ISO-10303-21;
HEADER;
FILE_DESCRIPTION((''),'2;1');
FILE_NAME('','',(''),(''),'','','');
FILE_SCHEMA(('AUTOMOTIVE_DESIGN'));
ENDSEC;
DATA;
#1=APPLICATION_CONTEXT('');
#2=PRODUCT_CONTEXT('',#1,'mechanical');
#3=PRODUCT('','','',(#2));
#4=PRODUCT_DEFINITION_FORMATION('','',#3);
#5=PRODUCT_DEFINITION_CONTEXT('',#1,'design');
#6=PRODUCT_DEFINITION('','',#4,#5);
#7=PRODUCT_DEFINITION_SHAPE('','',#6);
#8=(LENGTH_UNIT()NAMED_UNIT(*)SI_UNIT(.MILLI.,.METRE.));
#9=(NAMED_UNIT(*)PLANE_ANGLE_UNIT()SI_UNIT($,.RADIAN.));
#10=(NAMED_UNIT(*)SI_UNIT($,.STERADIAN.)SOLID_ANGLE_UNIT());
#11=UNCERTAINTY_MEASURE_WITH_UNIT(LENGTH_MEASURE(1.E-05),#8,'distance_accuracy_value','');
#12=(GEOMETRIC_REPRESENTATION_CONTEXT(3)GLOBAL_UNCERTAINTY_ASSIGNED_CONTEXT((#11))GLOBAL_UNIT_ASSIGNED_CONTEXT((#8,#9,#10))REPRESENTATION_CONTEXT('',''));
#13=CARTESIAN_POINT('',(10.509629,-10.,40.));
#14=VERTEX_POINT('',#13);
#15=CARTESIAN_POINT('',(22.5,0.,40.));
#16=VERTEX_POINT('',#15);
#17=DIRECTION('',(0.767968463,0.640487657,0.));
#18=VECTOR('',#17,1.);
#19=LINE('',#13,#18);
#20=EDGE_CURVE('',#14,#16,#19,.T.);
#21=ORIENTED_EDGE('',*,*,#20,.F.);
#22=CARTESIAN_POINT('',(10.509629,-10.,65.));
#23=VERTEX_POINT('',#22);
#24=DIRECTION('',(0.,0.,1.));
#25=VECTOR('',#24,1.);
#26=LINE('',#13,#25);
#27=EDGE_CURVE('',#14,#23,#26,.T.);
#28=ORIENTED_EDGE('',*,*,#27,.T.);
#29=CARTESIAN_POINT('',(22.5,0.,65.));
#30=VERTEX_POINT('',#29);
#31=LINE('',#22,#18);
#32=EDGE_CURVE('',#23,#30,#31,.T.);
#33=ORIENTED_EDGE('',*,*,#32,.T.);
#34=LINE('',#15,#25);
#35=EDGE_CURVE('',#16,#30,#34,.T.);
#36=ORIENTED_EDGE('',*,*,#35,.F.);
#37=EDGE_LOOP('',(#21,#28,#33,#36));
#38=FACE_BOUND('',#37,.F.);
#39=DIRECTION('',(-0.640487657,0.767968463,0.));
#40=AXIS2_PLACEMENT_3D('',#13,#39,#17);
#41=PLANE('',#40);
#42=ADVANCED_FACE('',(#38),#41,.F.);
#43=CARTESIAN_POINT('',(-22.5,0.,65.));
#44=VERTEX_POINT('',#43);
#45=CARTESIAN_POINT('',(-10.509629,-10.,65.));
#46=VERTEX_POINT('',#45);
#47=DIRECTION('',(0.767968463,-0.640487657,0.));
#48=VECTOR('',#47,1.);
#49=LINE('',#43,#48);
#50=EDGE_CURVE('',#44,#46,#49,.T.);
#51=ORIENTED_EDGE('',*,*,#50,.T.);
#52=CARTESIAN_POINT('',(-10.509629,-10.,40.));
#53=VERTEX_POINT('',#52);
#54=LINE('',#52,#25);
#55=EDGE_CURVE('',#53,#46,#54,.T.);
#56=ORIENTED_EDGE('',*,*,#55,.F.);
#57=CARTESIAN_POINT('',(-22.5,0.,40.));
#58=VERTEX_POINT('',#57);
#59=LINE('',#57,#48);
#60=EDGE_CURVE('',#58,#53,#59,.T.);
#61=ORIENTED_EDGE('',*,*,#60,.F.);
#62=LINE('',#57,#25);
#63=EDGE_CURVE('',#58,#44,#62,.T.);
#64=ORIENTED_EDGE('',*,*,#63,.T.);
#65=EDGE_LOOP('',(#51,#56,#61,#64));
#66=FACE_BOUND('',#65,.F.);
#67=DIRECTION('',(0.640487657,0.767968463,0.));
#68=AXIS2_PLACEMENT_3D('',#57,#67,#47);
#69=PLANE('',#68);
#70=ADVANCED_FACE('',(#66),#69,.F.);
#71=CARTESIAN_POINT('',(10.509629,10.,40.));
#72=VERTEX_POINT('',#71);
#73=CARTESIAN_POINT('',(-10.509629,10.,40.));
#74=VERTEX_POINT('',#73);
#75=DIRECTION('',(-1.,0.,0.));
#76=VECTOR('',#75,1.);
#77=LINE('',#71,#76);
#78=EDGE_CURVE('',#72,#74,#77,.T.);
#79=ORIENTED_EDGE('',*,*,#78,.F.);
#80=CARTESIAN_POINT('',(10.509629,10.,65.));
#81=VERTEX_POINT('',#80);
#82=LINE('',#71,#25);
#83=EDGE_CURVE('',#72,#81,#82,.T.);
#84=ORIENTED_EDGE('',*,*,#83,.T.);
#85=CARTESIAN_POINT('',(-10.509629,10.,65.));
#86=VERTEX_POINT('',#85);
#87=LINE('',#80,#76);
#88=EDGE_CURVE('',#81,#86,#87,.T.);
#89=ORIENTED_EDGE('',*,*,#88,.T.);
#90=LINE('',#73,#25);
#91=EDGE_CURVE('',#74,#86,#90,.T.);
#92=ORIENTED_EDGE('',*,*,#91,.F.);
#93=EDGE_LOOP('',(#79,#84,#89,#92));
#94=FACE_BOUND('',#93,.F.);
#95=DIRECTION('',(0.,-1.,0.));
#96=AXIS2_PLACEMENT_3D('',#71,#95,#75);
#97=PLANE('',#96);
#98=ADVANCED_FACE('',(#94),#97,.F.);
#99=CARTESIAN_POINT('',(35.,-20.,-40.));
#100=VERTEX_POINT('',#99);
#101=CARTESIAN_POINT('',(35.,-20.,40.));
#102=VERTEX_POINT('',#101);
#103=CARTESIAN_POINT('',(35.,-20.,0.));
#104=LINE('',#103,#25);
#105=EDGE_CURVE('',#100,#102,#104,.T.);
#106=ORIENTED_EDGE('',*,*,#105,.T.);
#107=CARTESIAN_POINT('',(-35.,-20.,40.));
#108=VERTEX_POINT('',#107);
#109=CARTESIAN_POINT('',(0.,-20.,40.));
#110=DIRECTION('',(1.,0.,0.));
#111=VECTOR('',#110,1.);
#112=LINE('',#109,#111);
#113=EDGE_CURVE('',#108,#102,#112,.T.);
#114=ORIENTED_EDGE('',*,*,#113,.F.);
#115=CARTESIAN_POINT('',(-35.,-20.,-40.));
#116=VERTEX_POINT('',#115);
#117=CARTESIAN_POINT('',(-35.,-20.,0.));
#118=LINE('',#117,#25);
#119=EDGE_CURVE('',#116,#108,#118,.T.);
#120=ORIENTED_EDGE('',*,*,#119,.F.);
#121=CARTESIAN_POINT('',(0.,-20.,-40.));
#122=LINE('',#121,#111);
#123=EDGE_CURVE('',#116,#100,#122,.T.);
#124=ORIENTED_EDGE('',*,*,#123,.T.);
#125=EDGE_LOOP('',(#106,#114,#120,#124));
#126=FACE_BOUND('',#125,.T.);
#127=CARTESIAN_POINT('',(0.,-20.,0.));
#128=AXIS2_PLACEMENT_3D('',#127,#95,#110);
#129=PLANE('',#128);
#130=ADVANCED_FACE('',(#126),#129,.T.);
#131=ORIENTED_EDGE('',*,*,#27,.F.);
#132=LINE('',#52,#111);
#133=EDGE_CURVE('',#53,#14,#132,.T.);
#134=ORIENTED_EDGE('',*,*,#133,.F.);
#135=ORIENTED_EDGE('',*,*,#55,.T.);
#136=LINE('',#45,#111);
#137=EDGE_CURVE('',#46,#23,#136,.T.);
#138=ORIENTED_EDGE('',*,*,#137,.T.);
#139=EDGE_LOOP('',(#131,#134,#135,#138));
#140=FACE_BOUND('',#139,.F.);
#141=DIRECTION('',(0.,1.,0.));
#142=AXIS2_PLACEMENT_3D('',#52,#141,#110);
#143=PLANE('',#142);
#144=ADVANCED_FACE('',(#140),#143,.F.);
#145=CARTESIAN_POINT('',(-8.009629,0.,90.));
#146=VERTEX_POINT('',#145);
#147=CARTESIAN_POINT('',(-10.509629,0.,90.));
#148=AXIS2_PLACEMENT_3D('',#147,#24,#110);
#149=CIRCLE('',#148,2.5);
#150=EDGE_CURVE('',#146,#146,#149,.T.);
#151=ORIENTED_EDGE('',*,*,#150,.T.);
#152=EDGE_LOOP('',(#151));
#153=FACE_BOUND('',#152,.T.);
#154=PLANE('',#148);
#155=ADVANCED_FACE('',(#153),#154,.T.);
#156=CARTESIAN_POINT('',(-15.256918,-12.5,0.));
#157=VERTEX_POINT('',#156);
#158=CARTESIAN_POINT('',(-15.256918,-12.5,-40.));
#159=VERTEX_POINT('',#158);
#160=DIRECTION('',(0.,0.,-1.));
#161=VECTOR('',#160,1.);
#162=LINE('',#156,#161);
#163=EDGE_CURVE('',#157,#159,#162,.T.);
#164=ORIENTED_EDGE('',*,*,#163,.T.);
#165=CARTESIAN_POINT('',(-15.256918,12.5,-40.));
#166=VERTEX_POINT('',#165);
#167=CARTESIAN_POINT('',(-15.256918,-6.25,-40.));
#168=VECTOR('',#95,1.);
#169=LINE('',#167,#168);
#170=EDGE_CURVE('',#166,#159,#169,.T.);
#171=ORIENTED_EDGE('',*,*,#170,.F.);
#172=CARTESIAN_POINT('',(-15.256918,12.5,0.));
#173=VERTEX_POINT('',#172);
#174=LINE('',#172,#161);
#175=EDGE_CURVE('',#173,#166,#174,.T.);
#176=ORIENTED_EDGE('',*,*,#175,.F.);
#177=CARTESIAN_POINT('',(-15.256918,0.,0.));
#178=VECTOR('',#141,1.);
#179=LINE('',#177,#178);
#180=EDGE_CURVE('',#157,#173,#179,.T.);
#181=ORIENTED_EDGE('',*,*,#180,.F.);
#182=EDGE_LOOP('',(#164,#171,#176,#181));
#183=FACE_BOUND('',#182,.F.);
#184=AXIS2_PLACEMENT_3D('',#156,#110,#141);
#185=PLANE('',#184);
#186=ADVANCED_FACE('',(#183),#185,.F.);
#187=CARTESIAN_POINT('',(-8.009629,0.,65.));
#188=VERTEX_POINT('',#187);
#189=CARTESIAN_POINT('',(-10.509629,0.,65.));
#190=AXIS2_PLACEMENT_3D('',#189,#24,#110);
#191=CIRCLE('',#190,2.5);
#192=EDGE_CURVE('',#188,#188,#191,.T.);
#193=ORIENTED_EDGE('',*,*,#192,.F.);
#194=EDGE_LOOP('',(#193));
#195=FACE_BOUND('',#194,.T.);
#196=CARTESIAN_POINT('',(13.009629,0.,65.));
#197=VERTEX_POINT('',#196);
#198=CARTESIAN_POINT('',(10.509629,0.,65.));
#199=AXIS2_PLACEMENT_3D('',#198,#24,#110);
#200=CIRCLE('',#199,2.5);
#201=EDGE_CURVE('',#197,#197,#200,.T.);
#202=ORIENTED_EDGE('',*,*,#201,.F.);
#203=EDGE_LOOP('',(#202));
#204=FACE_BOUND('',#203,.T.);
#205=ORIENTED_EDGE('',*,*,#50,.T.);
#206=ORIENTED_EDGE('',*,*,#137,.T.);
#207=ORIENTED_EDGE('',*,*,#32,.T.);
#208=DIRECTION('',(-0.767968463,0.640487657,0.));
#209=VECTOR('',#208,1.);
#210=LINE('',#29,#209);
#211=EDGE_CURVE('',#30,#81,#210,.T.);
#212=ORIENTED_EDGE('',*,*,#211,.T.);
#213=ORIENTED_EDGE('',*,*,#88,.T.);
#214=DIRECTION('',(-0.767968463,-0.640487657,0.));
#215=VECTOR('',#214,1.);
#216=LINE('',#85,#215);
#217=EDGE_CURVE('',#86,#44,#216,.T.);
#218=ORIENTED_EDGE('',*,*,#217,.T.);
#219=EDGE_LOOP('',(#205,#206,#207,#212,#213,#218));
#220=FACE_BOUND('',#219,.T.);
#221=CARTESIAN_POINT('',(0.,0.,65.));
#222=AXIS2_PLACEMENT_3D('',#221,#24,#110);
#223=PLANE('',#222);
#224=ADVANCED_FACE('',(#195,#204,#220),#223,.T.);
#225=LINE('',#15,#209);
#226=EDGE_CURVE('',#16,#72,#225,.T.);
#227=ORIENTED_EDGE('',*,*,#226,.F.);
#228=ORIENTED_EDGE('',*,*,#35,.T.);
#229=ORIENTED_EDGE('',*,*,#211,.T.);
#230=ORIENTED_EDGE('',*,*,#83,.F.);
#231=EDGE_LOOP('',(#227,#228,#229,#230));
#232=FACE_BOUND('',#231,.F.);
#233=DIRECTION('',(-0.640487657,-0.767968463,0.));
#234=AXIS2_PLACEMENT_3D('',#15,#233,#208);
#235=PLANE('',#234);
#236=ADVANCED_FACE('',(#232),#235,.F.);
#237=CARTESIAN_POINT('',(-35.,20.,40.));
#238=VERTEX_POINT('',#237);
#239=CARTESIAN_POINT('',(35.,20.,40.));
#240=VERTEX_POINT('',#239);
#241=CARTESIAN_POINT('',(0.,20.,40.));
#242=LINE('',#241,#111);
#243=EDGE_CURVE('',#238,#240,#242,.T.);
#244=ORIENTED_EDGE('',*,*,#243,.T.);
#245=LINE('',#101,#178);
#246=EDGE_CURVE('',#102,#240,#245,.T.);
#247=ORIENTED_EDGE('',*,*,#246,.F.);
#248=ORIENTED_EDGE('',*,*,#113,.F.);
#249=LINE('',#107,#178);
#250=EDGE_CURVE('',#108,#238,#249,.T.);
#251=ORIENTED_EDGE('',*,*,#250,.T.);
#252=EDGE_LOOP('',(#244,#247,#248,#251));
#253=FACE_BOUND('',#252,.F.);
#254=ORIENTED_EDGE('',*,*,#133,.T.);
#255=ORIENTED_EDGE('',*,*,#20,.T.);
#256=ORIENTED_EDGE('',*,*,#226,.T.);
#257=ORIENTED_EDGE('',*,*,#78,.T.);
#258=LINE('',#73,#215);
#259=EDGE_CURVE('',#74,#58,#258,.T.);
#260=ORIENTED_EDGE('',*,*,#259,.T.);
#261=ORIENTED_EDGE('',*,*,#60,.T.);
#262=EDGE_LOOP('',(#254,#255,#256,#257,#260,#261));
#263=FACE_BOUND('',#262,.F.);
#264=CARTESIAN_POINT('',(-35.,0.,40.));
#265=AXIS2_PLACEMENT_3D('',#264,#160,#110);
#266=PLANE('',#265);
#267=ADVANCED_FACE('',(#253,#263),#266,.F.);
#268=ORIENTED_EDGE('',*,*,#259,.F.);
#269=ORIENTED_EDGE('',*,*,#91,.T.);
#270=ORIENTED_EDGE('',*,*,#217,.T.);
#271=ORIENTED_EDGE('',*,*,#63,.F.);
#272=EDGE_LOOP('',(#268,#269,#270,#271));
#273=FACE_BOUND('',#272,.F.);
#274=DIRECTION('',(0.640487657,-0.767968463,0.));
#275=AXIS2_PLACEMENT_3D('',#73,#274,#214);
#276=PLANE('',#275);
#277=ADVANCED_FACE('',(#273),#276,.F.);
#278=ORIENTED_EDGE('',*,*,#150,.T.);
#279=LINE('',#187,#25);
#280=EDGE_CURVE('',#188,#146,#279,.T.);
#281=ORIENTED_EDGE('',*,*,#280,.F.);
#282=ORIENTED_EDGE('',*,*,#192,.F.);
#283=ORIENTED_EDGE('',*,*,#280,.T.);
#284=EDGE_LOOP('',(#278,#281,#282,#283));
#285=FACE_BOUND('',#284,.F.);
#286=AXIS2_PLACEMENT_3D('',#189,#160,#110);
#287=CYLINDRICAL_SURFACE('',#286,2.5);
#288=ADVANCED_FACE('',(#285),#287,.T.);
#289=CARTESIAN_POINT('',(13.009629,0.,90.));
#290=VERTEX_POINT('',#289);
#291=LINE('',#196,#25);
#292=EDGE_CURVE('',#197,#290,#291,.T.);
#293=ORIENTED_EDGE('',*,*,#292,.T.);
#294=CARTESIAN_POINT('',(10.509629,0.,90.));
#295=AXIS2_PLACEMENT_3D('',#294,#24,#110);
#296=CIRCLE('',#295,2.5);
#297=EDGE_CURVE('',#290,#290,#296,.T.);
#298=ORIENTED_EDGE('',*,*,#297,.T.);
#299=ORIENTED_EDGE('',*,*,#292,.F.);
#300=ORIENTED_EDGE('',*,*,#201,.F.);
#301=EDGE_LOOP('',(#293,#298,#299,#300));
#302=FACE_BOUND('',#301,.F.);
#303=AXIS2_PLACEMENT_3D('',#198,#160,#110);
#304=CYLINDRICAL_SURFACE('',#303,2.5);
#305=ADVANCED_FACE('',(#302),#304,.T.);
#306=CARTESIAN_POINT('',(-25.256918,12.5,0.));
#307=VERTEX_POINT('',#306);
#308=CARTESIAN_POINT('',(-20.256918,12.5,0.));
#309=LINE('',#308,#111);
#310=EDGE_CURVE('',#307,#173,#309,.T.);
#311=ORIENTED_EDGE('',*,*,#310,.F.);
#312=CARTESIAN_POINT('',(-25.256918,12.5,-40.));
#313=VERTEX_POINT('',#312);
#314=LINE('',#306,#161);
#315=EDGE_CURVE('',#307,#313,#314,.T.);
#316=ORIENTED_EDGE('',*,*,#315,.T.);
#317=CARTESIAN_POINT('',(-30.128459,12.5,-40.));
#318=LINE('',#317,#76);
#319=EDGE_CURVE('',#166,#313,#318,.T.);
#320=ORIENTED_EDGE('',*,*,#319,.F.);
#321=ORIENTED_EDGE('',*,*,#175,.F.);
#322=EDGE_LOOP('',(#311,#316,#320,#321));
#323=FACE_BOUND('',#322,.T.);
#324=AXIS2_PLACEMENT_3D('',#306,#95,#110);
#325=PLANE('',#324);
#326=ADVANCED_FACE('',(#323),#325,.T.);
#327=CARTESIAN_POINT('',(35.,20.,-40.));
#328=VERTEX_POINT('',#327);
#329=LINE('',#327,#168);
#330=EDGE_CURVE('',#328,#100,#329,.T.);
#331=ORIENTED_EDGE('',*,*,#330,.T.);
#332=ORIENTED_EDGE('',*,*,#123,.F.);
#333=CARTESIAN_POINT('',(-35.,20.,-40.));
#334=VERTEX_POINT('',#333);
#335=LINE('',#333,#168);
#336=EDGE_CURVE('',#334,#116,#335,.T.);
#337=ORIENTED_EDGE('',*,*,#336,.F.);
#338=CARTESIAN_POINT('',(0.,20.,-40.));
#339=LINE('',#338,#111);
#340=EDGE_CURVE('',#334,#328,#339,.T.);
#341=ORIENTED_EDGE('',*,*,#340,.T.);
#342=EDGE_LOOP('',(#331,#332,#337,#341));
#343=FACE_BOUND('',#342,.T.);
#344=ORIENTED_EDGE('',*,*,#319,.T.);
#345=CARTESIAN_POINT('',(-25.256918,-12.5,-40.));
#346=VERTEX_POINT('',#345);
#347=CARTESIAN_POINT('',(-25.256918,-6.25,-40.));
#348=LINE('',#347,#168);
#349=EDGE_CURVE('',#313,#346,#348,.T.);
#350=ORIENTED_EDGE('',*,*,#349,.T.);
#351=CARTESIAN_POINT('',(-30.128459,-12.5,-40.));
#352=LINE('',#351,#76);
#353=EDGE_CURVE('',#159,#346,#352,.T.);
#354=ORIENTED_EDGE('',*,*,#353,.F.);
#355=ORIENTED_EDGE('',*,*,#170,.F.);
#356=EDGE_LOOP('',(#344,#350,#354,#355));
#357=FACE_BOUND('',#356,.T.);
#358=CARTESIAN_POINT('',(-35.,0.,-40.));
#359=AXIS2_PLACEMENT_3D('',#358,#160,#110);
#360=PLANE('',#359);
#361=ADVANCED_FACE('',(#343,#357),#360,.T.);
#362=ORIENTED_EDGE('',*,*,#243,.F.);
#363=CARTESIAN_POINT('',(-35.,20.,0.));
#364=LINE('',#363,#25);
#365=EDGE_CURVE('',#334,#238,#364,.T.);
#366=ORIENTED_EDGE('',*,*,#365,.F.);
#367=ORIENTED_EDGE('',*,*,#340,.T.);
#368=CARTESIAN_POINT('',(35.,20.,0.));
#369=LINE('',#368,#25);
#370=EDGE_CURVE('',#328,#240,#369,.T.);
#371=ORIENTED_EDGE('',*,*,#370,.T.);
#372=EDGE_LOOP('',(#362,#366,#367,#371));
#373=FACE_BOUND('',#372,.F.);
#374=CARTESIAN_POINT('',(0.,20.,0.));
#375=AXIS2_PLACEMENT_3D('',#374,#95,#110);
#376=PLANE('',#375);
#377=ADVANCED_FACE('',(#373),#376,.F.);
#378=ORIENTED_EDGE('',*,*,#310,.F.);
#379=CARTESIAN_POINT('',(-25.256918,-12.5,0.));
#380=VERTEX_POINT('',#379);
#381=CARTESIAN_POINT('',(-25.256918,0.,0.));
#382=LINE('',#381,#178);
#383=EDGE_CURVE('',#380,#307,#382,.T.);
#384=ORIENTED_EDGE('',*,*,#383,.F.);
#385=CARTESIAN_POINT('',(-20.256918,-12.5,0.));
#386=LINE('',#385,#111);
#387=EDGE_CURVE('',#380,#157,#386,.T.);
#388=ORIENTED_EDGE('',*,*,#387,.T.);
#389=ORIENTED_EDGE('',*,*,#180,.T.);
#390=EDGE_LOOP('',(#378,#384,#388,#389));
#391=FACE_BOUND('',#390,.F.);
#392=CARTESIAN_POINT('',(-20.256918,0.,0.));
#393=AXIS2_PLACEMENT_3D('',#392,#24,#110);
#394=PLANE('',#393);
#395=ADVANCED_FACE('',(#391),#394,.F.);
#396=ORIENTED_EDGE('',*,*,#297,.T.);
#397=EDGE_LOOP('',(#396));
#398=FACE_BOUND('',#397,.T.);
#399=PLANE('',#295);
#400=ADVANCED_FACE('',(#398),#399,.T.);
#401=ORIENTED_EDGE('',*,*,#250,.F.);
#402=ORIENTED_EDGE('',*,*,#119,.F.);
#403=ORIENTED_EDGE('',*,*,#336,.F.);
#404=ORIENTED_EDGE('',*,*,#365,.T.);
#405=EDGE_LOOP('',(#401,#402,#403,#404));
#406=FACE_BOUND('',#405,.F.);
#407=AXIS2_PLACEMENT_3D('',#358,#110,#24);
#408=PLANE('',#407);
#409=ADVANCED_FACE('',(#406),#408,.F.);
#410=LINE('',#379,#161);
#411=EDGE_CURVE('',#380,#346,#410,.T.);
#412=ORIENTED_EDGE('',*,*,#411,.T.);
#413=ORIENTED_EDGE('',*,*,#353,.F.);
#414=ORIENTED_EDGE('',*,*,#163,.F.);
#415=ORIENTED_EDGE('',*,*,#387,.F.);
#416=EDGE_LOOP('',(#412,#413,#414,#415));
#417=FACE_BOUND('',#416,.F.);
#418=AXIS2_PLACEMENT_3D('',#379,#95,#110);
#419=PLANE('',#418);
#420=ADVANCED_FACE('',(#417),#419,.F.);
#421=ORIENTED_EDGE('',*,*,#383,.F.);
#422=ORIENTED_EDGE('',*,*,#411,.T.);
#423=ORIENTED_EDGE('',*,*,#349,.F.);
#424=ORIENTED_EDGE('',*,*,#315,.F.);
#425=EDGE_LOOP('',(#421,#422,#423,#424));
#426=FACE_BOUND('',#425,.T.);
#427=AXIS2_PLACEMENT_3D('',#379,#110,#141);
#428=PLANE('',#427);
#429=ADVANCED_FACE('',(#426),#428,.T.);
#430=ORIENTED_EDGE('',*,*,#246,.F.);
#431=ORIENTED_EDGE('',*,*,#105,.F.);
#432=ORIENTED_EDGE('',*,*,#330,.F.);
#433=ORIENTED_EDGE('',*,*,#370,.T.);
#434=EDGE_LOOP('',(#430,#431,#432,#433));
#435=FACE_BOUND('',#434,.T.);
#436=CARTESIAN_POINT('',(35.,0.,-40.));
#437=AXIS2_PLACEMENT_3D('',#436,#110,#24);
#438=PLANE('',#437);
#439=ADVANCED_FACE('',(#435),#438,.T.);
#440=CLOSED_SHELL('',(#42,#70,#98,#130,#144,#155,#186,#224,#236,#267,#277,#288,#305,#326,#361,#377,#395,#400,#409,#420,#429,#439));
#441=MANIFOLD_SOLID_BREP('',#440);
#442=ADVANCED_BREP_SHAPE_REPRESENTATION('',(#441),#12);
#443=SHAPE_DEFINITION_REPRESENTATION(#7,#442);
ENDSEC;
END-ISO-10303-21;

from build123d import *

# Parameters (mm, degrees)
F0_W     = 70
F0_H     = 80
F1_DEPTH = 20
F3_DEPTH = 25
F4_R     = 2.5
F5_DEPTH = 25
F6_W     = 10
F6_H     = 25
F7_DEPTH = 79.4


with BuildPart() as f1:
    # F0 (on Front) → F1 (new body, symmetric)
    with BuildSketch(Plane.XZ):
        Rectangle(F0_W, F0_H)
    extrude(amount=F1_DEPTH, both=True)

    # F2 (on face) → F3 (join)
    with BuildSketch(Plane.XY.offset(40)):
        Polygon((22.5, 0), (10.509629, 10), (-10.509629, 10), (-22.5, 0), (-10.509629, -10), (10.509629, -10), align=None)
    extrude(amount=F3_DEPTH)

    # F4 (on face) → F5 (join)
    with BuildSketch(Plane.XY.offset(65)):
        with Locations((-10.509629, 0)):
            Circle(F4_R)
        with Locations((10.509629, 0)):
            Circle(F4_R)
    extrude(amount=F5_DEPTH)

    # F6 (on Top) → F7 (cut)
    with BuildSketch(Plane.XY):
        with Locations((-20.256918, 0)):
            Rectangle(F6_W, F6_H)
    extrude(amount=-F7_DEPTH, mode=Mode.SUBTRACT)


solid = f1.part
